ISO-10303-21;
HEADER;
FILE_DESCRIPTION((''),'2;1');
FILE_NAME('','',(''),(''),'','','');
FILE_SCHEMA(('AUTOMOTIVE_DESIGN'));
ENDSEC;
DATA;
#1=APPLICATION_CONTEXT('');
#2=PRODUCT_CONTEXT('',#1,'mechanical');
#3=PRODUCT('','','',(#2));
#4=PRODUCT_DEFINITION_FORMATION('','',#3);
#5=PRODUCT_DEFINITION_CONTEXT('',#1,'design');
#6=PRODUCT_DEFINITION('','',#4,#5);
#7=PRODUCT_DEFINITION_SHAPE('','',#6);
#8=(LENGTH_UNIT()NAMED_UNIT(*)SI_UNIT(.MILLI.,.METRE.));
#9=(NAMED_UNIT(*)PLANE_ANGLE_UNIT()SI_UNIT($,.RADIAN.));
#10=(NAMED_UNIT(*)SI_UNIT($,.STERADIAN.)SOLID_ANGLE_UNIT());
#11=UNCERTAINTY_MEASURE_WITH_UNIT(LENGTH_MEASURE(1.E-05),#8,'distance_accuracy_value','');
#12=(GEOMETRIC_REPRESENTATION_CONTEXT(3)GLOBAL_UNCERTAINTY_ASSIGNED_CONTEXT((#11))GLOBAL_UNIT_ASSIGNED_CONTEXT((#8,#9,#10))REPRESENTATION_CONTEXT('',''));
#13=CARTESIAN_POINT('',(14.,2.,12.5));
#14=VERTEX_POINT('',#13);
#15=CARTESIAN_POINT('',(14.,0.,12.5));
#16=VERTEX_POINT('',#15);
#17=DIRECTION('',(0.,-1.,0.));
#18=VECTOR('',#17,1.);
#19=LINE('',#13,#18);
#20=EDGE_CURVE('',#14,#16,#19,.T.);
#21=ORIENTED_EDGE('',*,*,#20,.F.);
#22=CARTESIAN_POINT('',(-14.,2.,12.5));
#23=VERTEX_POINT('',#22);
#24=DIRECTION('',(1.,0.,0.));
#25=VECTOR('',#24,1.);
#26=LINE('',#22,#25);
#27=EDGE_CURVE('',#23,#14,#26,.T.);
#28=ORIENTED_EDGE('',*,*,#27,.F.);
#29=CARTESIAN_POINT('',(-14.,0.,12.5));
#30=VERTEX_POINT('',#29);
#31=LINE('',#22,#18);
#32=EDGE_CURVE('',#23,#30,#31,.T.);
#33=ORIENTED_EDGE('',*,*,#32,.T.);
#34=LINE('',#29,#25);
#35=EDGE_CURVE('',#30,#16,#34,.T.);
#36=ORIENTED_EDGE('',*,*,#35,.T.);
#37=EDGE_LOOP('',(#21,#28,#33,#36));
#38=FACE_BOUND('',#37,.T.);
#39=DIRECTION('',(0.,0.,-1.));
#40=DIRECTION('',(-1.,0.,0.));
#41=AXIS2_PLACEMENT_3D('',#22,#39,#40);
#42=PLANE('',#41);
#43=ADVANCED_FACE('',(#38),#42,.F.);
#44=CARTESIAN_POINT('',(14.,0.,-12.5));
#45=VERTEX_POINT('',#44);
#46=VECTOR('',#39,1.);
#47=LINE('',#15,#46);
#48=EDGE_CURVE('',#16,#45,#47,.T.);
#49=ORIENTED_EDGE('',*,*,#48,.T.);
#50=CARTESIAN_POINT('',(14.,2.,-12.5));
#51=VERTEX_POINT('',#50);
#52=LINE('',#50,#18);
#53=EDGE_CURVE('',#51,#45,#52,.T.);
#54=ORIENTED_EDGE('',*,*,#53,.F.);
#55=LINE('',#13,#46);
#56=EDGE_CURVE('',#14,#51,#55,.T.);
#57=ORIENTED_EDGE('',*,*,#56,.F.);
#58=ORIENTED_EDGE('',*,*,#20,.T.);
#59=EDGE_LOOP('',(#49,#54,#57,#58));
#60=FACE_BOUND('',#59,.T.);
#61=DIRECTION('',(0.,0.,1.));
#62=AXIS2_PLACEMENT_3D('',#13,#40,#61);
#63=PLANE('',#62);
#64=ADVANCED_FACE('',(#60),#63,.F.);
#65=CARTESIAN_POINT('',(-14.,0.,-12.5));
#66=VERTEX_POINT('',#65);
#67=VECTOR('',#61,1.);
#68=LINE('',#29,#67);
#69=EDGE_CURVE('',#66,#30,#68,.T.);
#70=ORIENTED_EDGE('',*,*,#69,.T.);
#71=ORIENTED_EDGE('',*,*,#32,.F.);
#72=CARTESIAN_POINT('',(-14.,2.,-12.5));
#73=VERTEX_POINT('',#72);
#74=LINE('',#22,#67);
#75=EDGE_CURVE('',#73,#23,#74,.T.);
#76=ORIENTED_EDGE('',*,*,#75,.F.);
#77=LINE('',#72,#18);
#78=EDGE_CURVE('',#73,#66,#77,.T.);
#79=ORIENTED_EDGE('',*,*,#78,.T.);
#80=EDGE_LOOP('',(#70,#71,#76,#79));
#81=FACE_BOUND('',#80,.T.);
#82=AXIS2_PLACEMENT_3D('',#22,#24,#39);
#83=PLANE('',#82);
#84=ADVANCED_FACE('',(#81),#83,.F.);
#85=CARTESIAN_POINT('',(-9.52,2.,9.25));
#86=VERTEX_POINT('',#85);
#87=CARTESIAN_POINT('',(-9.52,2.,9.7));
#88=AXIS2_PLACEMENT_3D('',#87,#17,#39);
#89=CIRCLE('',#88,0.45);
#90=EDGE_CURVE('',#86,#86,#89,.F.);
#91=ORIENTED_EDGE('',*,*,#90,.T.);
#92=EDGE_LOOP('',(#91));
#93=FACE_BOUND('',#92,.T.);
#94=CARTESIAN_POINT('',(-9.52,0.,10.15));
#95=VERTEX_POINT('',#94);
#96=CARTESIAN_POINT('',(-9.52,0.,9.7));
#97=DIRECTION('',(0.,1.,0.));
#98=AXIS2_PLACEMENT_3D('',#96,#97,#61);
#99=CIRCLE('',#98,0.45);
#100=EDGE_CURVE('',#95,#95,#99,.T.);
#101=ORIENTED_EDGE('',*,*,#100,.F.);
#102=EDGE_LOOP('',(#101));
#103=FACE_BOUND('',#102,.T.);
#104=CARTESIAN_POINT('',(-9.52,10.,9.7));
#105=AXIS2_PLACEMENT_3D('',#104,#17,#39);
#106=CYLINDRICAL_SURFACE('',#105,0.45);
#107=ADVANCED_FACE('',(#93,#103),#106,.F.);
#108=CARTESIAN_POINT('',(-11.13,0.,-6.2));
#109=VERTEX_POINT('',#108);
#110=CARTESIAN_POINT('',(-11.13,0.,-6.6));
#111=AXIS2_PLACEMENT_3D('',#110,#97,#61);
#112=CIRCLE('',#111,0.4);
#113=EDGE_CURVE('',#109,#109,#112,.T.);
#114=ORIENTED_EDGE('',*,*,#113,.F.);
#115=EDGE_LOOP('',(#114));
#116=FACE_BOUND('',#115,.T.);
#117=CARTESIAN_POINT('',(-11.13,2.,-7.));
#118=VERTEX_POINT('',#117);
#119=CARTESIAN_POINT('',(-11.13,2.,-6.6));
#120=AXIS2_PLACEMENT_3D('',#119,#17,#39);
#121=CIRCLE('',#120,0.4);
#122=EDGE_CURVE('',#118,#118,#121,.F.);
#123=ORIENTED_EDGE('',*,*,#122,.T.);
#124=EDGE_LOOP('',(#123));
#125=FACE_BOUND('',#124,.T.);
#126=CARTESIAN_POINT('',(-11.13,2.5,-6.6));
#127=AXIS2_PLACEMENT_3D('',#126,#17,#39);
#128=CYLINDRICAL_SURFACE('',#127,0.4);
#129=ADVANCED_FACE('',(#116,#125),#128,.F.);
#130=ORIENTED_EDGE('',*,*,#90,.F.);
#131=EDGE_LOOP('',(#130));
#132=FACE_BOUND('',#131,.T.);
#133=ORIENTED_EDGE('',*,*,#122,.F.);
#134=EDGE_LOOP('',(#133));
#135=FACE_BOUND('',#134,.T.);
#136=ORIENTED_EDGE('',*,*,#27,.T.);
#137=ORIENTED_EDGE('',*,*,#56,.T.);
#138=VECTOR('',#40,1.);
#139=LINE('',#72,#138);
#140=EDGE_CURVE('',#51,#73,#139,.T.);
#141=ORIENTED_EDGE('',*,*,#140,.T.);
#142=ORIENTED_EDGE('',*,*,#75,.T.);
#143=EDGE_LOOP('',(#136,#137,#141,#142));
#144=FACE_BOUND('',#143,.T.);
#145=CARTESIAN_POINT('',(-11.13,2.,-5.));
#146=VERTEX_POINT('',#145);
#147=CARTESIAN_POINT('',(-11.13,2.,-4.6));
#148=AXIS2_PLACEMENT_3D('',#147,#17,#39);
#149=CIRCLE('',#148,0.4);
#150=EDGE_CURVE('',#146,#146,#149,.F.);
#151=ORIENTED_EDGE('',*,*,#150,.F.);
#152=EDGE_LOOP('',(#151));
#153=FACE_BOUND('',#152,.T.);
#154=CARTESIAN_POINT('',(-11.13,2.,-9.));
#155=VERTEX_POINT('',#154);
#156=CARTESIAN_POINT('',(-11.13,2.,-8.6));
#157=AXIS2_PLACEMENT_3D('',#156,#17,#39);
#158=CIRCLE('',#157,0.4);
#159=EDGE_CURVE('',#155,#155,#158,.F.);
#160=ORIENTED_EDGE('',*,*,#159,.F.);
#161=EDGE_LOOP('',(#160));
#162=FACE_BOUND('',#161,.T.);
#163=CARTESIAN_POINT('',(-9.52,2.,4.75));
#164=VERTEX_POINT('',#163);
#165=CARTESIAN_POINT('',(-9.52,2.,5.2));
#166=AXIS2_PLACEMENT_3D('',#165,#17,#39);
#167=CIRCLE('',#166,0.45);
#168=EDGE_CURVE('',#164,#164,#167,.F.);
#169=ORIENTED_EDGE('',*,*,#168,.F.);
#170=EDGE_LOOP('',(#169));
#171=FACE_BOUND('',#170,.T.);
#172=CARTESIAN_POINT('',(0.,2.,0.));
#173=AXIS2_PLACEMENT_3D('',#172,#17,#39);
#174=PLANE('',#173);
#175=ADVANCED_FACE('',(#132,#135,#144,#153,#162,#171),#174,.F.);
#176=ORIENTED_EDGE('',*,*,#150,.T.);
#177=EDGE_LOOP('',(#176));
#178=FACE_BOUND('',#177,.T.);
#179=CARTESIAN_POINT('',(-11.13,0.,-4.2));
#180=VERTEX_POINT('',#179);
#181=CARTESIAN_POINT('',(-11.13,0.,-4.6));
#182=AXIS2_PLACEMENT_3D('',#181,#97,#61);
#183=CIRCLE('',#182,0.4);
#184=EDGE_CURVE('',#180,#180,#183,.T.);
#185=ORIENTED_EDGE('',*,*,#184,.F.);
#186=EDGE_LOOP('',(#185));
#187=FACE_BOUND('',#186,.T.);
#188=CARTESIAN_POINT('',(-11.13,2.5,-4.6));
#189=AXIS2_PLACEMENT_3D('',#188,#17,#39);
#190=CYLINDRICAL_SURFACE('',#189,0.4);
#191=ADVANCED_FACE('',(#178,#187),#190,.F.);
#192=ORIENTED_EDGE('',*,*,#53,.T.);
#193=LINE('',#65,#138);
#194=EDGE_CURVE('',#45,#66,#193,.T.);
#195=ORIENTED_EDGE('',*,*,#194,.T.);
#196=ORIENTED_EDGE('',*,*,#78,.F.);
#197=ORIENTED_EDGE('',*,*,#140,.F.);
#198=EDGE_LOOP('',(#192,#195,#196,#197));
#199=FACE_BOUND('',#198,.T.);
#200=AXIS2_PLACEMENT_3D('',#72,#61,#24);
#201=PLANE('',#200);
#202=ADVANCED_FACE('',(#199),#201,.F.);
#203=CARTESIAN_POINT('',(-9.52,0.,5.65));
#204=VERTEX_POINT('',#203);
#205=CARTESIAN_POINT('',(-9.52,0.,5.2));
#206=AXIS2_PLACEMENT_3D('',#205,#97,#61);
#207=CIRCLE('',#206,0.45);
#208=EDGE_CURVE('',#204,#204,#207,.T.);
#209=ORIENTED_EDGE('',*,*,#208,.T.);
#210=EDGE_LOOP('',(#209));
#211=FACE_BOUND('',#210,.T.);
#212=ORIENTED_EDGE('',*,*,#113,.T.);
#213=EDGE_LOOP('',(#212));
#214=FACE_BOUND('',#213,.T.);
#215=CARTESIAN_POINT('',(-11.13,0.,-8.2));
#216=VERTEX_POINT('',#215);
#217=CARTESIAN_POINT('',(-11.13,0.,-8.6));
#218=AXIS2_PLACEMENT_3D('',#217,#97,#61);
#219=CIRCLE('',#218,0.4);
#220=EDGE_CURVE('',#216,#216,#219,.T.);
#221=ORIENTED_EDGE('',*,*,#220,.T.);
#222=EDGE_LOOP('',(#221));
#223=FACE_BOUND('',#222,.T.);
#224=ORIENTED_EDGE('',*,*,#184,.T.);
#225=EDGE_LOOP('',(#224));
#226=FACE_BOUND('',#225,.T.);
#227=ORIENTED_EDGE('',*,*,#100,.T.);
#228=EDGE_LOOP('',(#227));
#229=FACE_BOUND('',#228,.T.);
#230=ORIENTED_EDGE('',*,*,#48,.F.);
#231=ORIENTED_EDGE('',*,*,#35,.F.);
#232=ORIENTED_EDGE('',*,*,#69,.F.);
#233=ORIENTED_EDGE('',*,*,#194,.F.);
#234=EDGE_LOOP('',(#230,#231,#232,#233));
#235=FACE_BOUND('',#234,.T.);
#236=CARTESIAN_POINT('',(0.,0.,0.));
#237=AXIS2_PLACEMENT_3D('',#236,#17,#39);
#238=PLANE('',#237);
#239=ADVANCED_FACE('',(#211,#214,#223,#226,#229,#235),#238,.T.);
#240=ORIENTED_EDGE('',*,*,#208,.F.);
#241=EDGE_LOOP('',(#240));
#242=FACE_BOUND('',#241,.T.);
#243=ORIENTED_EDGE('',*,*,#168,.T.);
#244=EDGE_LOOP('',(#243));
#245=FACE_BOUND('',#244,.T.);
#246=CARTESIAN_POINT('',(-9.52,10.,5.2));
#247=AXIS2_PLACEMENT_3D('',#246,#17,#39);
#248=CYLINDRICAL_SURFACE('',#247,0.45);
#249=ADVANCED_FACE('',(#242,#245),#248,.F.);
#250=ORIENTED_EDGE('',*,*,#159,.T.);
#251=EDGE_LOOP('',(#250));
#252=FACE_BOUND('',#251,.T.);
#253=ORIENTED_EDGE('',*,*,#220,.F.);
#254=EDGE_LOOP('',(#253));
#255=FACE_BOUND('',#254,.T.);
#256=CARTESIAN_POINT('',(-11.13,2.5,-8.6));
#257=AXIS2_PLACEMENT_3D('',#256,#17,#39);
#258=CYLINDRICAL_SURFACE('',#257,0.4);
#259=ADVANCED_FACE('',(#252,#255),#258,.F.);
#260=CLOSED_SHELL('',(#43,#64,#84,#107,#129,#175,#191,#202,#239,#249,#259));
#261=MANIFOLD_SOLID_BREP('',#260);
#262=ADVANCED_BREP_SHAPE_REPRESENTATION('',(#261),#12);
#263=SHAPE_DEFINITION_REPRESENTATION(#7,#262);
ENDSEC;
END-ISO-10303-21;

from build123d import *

# Parameters (mm, degrees)
SKETCH1_W           = 28
SKETCH1_H           = 25
BOSS_EXTRUDE1_DEPTH = 2
SKETCH2_R           = 0.45
CUT_EXTRUDE1_DEPTH  = 10
SKETCH3_R           = 0.4
CUT_EXTRUDE2_DEPTH  = 2.5


with BuildPart() as part:
    # Sketch1 → Boss-Extrude1 (new body)
    with BuildSketch(Plane(origin=(0, 0, 0), x_dir=(1, 0, 0), z_dir=(0, 1, 0))):
        Rectangle(SKETCH1_W, SKETCH1_H)
    extrude(amount=BOSS_EXTRUDE1_DEPTH)

    # Sketch2 → Cut-Extrude1 (cut)
    with BuildSketch(Plane(origin=(0, 0, 0), x_dir=(1, 0, 0), z_dir=(0, 1, 0))):
        with Locations(Location((-9.52, -5.2, 0), (0, 0, 90))):
            Circle(SKETCH2_R)
        with Locations(Location((-9.52, -9.7, 0), (0, 0, 90))):
            Circle(SKETCH2_R)
    extrude(amount=CUT_EXTRUDE1_DEPTH, mode=Mode.SUBTRACT)

    # Sketch3 → Cut-Extrude2 (cut)
    with BuildSketch(Plane(origin=(0, 0, 0), x_dir=(1, 0, 0), z_dir=(0, 1, 0))):
        with Locations(Location((-11.13, 6.6, 0), (0, 0, 90))):
            Circle(SKETCH3_R)
        with Locations(Location((-11.13, 8.6, 0), (0, 0, 90))):
            Circle(SKETCH3_R)
        with Locations(Location((-11.13, 4.6, 0), (0, 0, 90))):
            Circle(SKETCH3_R)
    extrude(amount=CUT_EXTRUDE2_DEPTH, mode=Mode.SUBTRACT)


solid = part.part
